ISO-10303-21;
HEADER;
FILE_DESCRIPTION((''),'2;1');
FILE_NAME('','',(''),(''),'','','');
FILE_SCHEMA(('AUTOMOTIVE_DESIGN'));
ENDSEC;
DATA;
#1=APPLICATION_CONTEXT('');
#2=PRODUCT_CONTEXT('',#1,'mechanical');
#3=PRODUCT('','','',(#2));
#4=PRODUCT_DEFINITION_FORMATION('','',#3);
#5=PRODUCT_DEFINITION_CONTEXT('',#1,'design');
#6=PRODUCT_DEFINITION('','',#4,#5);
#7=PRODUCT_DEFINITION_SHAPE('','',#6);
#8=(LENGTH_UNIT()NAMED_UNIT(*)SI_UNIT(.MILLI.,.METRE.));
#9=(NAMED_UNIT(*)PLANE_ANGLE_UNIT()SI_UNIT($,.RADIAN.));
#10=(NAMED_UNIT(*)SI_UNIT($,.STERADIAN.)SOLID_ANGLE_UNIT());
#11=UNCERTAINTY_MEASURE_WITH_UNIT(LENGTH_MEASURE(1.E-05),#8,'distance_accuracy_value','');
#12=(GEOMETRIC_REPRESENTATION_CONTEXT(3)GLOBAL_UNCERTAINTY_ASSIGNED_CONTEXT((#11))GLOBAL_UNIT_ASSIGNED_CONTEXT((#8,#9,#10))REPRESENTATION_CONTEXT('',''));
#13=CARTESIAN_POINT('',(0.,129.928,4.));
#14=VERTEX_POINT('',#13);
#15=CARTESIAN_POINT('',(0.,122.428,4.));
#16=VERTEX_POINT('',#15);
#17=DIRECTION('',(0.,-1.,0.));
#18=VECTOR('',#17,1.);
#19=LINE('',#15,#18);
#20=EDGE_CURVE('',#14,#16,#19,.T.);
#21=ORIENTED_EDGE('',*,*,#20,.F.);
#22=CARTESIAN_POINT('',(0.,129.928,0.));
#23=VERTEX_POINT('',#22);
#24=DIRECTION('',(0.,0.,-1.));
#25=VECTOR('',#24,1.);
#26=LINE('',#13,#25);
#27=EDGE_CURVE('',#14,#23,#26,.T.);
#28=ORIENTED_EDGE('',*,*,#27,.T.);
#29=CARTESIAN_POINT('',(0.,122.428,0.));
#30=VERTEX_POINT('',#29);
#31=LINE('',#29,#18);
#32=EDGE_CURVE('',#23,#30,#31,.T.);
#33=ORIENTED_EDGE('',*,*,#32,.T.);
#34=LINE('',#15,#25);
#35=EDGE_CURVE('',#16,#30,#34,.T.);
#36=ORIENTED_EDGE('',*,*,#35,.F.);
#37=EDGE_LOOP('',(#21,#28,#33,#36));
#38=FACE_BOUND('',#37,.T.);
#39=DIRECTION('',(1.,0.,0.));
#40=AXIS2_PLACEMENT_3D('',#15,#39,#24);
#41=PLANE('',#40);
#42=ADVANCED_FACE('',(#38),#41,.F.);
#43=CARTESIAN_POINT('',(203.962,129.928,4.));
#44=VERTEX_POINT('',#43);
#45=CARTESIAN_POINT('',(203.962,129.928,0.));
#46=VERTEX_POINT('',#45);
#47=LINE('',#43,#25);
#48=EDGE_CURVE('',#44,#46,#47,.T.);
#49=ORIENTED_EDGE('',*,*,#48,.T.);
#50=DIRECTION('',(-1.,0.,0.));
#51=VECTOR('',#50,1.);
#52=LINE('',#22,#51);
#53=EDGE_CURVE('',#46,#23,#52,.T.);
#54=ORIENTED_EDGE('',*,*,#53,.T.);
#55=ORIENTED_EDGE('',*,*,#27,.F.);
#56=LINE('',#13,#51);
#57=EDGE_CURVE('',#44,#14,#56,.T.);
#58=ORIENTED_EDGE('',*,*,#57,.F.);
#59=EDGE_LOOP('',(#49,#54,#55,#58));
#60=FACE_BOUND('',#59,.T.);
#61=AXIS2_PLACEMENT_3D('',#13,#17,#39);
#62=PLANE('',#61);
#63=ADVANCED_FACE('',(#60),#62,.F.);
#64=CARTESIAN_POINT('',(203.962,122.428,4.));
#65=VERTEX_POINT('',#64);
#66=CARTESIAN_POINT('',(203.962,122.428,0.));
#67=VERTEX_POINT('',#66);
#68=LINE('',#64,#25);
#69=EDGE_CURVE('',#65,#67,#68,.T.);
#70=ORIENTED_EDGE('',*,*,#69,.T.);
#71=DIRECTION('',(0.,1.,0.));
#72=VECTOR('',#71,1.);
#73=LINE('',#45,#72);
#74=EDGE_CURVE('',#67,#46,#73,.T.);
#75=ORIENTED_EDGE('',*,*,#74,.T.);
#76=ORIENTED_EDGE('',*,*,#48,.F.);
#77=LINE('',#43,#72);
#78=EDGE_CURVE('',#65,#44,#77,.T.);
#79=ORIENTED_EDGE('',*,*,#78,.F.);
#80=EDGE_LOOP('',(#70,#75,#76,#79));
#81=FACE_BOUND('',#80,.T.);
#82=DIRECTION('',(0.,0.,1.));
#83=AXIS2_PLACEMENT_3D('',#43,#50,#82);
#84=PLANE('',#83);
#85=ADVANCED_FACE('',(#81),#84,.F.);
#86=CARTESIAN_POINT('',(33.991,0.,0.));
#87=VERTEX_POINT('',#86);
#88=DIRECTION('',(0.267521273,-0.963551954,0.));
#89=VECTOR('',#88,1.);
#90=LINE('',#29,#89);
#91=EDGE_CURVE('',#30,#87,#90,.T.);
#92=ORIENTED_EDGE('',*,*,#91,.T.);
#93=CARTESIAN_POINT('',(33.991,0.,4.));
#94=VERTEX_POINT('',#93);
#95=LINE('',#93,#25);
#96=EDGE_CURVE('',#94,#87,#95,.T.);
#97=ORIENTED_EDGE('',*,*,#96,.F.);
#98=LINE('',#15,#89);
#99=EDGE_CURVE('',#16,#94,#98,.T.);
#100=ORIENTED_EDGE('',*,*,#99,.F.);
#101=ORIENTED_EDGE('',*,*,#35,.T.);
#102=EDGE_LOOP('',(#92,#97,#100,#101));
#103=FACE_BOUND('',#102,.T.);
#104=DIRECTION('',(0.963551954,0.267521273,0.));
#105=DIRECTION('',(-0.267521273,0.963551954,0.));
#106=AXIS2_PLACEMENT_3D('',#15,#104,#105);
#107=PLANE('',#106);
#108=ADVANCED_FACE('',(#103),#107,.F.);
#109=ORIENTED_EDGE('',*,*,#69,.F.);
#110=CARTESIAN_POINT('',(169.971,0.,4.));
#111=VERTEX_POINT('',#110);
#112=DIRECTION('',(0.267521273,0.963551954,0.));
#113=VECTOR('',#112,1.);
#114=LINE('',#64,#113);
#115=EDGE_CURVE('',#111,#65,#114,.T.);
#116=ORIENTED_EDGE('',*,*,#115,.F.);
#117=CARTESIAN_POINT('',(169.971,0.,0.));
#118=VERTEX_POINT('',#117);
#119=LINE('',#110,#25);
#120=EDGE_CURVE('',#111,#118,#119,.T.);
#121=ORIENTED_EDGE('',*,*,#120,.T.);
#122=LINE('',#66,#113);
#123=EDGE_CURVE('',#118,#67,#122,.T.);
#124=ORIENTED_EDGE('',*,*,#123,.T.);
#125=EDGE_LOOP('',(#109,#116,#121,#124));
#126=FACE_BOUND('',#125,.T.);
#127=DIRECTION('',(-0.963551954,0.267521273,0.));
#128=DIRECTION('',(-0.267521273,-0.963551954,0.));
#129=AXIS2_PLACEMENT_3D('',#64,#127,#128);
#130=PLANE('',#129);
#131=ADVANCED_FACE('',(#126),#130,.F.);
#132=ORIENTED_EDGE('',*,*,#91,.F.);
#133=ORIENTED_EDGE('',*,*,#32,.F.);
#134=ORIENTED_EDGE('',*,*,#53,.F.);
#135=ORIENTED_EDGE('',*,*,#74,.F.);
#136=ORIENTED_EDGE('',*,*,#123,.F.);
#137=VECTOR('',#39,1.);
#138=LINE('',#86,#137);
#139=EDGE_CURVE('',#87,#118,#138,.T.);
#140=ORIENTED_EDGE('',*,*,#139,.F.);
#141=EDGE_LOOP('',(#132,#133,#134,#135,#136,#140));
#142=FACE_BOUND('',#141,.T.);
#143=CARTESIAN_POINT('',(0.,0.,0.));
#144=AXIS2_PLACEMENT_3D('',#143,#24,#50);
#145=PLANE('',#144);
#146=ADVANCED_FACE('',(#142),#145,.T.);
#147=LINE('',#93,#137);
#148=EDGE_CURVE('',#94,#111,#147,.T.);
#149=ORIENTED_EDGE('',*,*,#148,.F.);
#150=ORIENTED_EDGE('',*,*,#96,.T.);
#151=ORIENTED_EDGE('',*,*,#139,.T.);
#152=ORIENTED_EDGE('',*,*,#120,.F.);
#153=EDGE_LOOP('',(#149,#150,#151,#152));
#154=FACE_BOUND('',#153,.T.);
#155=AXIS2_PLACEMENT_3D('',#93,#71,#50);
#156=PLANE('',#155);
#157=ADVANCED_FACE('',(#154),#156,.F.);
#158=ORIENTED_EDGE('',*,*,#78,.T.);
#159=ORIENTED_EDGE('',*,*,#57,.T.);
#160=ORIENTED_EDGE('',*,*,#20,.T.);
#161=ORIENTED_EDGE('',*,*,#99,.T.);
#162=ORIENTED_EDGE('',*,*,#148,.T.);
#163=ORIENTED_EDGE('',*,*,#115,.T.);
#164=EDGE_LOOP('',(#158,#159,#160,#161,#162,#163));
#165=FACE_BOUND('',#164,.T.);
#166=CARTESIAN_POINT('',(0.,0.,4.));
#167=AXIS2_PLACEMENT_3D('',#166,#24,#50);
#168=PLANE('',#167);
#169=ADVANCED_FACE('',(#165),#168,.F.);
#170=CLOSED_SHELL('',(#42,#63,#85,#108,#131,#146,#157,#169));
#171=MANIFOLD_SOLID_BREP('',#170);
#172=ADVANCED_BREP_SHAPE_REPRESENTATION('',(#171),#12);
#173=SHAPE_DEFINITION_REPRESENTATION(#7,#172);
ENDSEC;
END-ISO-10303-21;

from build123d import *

# Parameters (mm, degrees)
BOSS_EXTRUDE1_DEPTH = 4


with BuildPart() as part:
    # Sketch1 → Boss-Extrude1 (new body)
    with BuildSketch(Plane.XY):
        Polygon((33.991, -4.08e-07), (169.971, -4.08e-07), (203.962, 122.427999592), (203.962, 129.927999592), (0, 129.927999592), (0, 122.427999592), align=None)
    extrude(amount=BOSS_EXTRUDE1_DEPTH)


solid = part.part
